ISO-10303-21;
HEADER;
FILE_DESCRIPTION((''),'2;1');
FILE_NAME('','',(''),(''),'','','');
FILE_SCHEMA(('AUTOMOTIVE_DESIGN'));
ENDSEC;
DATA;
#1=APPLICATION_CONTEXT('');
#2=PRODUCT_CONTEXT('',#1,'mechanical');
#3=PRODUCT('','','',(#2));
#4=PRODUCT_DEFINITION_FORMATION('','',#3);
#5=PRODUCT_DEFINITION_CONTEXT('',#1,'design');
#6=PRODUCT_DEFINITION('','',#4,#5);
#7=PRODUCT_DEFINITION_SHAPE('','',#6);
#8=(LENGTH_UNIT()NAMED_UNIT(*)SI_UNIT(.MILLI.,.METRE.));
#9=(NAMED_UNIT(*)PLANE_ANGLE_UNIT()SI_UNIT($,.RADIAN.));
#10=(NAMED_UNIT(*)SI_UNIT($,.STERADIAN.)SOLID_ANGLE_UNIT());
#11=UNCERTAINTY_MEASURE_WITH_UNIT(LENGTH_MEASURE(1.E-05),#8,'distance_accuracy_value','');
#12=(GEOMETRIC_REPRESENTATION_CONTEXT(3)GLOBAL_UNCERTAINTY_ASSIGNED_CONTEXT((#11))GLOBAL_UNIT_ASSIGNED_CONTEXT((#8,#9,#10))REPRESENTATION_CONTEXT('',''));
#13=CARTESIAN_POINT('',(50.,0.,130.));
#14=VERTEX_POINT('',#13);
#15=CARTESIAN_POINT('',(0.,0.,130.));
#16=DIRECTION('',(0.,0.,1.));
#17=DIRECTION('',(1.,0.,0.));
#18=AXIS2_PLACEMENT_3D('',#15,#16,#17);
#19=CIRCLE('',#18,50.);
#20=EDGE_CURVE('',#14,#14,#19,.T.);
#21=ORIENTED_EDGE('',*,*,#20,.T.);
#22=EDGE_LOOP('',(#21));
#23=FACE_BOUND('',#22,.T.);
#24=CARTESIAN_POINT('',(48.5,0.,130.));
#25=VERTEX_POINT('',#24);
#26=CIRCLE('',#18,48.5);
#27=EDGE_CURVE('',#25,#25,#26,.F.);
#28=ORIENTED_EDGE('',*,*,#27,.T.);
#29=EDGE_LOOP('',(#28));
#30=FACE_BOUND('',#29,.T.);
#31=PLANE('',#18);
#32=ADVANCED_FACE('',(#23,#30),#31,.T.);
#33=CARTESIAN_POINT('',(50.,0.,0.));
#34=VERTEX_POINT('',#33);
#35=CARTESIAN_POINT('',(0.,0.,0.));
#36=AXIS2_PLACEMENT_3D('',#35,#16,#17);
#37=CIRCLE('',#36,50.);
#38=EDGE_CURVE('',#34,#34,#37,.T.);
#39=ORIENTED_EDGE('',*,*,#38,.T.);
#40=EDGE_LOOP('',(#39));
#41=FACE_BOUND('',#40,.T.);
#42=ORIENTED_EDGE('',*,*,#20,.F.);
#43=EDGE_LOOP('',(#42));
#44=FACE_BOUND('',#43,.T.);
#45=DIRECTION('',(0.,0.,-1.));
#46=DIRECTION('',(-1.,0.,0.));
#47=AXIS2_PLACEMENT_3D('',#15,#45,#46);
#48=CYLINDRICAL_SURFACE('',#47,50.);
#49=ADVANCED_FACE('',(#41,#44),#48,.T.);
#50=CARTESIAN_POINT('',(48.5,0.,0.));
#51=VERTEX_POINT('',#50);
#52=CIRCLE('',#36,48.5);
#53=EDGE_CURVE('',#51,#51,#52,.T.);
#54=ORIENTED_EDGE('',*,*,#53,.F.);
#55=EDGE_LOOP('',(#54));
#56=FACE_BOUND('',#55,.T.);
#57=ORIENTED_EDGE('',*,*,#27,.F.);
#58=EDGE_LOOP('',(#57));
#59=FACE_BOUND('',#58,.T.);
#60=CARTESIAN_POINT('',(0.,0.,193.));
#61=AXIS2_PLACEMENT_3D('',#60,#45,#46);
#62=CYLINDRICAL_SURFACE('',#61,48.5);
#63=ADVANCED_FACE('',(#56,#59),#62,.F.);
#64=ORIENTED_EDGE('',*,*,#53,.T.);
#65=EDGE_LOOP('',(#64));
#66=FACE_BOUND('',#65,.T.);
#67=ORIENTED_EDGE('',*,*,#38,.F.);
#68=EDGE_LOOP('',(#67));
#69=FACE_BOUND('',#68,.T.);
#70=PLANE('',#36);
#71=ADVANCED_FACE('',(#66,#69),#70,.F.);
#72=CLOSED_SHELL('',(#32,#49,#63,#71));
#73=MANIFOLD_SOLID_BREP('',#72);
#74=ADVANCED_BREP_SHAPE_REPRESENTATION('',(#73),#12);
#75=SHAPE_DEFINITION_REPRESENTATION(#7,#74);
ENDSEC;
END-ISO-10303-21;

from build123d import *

# Parameters (mm, degrees)
SKETCH_1_R          = 50
EXTRUDE_1_DEPTH     = 130
SKETCH_2_R          = 48.5
CUT_EXTRUDE_1_DEPTH = 193


with BuildPart() as part:
    # 草图1 → 凸台-拉伸1 (new body)
    with BuildSketch(Plane.XY):
        Circle(SKETCH_1_R)
    extrude(amount=EXTRUDE_1_DEPTH)

    # 草图2 → 切除-拉伸1 (cut)
    with BuildSketch(Plane.XY):
        Circle(SKETCH_2_R)
    extrude(amount=CUT_EXTRUDE_1_DEPTH, mode=Mode.SUBTRACT)


solid = part.part
